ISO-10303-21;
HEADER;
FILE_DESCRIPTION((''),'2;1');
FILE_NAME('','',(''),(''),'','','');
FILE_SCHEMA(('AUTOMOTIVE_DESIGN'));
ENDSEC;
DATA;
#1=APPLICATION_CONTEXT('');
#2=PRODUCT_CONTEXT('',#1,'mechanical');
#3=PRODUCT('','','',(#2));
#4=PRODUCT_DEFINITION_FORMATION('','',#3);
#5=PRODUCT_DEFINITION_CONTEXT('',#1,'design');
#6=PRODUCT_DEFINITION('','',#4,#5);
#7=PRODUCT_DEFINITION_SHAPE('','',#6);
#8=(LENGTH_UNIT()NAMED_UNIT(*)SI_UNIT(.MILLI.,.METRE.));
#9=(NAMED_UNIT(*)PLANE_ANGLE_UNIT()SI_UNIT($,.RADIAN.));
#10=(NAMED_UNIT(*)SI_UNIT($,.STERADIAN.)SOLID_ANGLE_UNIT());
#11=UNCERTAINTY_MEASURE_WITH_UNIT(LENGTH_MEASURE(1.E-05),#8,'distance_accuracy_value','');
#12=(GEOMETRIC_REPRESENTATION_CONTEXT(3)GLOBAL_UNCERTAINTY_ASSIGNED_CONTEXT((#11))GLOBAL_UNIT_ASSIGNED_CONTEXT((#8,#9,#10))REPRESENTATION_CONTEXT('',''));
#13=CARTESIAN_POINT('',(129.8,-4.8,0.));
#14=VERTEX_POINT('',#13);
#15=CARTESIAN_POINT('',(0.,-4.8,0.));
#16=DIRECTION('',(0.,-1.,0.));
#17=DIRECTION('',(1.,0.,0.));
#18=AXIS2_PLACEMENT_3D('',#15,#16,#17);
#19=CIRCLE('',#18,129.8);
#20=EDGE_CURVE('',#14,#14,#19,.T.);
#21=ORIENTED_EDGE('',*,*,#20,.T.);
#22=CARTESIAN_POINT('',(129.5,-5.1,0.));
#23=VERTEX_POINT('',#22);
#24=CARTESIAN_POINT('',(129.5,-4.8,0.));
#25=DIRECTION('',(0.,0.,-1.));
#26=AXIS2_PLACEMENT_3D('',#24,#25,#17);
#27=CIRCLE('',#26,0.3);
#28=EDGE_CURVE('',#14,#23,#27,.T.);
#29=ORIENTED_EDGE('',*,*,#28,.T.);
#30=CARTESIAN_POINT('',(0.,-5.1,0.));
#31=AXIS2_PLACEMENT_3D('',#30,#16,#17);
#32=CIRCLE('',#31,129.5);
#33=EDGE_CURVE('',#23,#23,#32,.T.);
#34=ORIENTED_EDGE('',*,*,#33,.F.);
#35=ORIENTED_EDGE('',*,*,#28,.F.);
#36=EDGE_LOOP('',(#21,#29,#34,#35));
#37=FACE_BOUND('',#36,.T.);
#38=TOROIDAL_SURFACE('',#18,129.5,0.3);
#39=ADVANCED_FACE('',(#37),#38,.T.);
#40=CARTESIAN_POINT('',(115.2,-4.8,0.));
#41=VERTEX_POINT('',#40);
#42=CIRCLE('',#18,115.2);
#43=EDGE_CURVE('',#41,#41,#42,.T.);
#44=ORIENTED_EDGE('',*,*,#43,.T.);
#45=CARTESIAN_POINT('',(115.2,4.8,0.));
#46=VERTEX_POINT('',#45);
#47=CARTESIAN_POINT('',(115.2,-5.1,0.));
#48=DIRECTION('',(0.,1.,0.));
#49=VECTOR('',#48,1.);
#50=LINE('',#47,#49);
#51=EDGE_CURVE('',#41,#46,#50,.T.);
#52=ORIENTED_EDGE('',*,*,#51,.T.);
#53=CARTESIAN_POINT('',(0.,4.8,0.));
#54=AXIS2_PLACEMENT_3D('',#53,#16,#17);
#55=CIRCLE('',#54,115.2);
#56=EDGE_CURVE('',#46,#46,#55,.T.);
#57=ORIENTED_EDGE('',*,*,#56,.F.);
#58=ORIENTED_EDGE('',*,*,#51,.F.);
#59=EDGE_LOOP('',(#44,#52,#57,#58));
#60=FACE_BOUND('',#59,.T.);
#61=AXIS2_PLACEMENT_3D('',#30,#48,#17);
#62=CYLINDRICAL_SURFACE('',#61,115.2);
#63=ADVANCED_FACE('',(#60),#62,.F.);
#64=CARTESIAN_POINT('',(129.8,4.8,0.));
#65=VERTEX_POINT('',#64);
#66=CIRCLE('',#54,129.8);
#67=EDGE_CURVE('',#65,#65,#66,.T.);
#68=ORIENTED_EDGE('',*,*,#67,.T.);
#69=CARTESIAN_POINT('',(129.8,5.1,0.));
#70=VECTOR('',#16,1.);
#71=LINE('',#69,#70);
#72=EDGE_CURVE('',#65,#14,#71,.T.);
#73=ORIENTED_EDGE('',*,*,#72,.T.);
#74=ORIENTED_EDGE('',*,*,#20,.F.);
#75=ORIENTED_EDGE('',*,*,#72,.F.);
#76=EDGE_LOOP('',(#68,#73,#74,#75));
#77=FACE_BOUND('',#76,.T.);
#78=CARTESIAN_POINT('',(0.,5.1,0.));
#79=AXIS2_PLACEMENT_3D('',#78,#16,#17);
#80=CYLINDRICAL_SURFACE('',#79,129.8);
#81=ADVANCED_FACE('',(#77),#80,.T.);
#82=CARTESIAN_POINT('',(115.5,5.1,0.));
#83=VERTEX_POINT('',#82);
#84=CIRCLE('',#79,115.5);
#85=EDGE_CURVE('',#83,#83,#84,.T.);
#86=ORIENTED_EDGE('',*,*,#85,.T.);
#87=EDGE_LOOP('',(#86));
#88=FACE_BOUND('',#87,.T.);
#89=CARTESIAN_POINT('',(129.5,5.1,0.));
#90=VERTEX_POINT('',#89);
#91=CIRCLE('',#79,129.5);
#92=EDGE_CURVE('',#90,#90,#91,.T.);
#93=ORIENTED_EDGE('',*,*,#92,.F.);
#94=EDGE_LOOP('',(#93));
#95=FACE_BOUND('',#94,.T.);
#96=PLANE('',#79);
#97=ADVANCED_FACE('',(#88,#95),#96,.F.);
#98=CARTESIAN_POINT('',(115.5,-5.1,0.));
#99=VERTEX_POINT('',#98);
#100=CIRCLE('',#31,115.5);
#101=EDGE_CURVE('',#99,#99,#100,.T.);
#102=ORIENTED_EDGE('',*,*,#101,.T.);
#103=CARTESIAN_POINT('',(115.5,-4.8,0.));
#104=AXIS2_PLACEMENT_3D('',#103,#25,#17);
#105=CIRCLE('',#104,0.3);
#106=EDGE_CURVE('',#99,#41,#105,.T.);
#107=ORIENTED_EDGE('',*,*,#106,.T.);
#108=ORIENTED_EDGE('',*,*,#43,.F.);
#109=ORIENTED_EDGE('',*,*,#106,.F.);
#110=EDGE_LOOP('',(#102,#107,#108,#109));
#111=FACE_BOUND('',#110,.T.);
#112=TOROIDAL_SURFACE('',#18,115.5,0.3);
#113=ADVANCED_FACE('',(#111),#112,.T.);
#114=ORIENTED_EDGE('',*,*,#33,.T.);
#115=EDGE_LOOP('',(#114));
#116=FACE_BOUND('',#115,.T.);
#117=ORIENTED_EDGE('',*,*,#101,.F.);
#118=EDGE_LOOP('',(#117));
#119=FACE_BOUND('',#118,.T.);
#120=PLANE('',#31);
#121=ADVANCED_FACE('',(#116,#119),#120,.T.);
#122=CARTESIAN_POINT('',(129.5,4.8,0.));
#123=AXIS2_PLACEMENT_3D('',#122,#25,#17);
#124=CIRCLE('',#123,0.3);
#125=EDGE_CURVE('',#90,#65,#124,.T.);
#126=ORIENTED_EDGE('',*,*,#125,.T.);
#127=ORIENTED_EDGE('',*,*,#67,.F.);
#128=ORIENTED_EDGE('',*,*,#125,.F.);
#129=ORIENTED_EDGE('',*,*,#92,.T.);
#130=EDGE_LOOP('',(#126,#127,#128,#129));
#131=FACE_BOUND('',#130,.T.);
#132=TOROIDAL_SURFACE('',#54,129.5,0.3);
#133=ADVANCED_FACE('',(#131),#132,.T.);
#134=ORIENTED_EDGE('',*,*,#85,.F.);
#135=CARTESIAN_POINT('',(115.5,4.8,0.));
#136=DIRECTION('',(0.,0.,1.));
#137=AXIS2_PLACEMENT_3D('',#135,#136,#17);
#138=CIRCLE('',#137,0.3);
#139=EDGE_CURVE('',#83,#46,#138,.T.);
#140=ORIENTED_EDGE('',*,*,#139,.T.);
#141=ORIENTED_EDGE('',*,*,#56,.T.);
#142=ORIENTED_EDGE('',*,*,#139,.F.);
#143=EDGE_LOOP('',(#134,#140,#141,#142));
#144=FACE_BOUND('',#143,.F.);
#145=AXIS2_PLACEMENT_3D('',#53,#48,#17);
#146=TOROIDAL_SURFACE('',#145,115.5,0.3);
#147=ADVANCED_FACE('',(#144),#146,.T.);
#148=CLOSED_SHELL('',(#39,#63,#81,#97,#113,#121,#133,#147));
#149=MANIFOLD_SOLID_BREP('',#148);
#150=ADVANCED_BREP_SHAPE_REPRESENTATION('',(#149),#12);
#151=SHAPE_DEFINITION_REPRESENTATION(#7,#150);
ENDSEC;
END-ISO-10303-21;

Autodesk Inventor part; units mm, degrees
ref_plane "YZ Plane" through (0, 0, 0) normal (1, 0, 0) x (0, 1, 0)
ref_plane "XZ Plane" through (0, 0, 0) normal (0, 1, 0) x (-1, 0, 0)
ref_plane "XY Plane" through (0, 0, 0) normal (0, 0, 1) x (1, 0, 0)
sketch "Sketch1" plane through (0, 0, 0) normal (0, 0, 1) x (1, 0, 0)
  line L0 (115.2, 5.1) -> (129.8, 5.1)
  line L1 (129.8, 5.1) -> (129.8, -5.1)
  line L2 (129.8, -5.1) -> (115.2, -5.1)
  line L3 (115.2, -5.1) -> (115.2, 5.1)
  line L4 (0, 4.5532) -> (0, -4.5532)
  point P0 (0, 0)
  point P1 (0, 0)
  point P2 (115.2, 0)
  dimension "fascia_parameter" = 14.6
  dimension "height_parameter" = 10.2
  dimension "externalDiameter_parameter" = 259.6
  dimension "d5" = 230.4
revolve "Revolution1" add sketch "Sketch1" angle 360 about axis through (0, 4.5532, 0) along (0, -1, 0)
fillet "Fillet1" radius 0.3 4 edges at (-115.2, 5.1, 0) (-115.2, -5.1, 0) (-129.8, 5.1, 0) (-129.8, -5.1, 0)
properties part number "201555-1-1-test" material "Nylon 6/6"
